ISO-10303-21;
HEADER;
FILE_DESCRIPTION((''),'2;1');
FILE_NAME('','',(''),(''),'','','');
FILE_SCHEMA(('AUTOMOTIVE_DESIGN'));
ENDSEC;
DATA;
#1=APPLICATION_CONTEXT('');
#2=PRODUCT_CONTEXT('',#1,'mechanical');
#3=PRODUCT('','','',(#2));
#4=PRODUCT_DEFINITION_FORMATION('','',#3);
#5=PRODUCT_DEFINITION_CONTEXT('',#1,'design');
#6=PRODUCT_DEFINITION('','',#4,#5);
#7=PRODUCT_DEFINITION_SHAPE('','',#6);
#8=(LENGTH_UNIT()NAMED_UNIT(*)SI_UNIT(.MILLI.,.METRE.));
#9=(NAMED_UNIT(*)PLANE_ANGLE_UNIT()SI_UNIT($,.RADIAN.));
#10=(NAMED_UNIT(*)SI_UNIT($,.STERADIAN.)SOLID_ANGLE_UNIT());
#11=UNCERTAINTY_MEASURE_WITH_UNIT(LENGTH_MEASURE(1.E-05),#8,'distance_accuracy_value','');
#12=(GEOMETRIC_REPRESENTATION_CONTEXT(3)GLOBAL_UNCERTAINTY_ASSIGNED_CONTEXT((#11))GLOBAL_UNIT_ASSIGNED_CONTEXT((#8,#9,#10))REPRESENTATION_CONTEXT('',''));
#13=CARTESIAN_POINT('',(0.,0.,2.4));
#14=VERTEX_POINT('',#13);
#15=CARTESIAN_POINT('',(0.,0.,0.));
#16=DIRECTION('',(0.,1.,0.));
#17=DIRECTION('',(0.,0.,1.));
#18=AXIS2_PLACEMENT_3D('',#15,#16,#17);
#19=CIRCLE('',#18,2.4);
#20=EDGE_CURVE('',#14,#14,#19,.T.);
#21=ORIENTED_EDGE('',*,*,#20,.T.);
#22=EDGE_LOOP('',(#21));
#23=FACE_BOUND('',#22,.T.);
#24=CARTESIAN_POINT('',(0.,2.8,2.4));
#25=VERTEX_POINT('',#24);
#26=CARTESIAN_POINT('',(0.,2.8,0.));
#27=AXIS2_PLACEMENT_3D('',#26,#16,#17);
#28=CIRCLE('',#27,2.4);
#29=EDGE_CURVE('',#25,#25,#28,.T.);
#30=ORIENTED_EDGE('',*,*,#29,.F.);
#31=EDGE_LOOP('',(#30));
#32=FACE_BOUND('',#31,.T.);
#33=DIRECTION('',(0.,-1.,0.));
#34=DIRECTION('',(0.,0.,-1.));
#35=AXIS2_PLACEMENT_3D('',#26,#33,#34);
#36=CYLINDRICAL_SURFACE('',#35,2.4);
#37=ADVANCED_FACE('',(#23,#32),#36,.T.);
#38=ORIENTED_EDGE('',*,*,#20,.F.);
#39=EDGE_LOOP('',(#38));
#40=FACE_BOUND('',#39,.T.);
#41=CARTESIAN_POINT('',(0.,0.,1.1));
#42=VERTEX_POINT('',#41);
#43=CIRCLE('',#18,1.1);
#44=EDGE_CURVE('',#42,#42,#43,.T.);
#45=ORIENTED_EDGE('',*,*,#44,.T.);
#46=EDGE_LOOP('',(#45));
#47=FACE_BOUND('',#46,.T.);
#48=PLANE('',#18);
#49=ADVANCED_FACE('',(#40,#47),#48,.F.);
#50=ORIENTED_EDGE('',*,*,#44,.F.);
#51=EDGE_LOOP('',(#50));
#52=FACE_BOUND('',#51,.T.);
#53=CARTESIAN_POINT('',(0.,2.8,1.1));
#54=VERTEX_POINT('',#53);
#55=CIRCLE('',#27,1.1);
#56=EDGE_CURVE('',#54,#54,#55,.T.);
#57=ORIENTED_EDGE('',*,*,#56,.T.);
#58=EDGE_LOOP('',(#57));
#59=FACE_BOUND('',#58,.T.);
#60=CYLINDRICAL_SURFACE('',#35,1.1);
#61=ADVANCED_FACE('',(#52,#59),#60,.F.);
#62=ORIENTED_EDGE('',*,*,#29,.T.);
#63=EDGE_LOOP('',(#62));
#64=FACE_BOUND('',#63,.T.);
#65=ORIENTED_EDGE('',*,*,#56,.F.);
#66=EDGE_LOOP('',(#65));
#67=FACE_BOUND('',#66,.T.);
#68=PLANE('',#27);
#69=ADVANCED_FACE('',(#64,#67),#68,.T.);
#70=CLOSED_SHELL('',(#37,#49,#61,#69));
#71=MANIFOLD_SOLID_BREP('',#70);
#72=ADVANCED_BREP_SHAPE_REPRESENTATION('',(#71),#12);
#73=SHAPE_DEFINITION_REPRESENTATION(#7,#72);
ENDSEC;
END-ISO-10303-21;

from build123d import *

# Parameters (mm, degrees)
SKETCH1_R           = 2.4
SKETCH1_R_2         = 1.1
BOSS_EXTRUDE1_DEPTH = 2.8


with BuildPart() as part:
    # Sketch1 → Boss-Extrude1 (new body)
    with BuildSketch(Plane(origin=(0, 0, 0), x_dir=(1, 0, 0), z_dir=(0, 1, 0))):
        Circle(SKETCH1_R)
        Circle(SKETCH1_R_2, mode=Mode.SUBTRACT)
    extrude(amount=BOSS_EXTRUDE1_DEPTH)


solid = part.part
